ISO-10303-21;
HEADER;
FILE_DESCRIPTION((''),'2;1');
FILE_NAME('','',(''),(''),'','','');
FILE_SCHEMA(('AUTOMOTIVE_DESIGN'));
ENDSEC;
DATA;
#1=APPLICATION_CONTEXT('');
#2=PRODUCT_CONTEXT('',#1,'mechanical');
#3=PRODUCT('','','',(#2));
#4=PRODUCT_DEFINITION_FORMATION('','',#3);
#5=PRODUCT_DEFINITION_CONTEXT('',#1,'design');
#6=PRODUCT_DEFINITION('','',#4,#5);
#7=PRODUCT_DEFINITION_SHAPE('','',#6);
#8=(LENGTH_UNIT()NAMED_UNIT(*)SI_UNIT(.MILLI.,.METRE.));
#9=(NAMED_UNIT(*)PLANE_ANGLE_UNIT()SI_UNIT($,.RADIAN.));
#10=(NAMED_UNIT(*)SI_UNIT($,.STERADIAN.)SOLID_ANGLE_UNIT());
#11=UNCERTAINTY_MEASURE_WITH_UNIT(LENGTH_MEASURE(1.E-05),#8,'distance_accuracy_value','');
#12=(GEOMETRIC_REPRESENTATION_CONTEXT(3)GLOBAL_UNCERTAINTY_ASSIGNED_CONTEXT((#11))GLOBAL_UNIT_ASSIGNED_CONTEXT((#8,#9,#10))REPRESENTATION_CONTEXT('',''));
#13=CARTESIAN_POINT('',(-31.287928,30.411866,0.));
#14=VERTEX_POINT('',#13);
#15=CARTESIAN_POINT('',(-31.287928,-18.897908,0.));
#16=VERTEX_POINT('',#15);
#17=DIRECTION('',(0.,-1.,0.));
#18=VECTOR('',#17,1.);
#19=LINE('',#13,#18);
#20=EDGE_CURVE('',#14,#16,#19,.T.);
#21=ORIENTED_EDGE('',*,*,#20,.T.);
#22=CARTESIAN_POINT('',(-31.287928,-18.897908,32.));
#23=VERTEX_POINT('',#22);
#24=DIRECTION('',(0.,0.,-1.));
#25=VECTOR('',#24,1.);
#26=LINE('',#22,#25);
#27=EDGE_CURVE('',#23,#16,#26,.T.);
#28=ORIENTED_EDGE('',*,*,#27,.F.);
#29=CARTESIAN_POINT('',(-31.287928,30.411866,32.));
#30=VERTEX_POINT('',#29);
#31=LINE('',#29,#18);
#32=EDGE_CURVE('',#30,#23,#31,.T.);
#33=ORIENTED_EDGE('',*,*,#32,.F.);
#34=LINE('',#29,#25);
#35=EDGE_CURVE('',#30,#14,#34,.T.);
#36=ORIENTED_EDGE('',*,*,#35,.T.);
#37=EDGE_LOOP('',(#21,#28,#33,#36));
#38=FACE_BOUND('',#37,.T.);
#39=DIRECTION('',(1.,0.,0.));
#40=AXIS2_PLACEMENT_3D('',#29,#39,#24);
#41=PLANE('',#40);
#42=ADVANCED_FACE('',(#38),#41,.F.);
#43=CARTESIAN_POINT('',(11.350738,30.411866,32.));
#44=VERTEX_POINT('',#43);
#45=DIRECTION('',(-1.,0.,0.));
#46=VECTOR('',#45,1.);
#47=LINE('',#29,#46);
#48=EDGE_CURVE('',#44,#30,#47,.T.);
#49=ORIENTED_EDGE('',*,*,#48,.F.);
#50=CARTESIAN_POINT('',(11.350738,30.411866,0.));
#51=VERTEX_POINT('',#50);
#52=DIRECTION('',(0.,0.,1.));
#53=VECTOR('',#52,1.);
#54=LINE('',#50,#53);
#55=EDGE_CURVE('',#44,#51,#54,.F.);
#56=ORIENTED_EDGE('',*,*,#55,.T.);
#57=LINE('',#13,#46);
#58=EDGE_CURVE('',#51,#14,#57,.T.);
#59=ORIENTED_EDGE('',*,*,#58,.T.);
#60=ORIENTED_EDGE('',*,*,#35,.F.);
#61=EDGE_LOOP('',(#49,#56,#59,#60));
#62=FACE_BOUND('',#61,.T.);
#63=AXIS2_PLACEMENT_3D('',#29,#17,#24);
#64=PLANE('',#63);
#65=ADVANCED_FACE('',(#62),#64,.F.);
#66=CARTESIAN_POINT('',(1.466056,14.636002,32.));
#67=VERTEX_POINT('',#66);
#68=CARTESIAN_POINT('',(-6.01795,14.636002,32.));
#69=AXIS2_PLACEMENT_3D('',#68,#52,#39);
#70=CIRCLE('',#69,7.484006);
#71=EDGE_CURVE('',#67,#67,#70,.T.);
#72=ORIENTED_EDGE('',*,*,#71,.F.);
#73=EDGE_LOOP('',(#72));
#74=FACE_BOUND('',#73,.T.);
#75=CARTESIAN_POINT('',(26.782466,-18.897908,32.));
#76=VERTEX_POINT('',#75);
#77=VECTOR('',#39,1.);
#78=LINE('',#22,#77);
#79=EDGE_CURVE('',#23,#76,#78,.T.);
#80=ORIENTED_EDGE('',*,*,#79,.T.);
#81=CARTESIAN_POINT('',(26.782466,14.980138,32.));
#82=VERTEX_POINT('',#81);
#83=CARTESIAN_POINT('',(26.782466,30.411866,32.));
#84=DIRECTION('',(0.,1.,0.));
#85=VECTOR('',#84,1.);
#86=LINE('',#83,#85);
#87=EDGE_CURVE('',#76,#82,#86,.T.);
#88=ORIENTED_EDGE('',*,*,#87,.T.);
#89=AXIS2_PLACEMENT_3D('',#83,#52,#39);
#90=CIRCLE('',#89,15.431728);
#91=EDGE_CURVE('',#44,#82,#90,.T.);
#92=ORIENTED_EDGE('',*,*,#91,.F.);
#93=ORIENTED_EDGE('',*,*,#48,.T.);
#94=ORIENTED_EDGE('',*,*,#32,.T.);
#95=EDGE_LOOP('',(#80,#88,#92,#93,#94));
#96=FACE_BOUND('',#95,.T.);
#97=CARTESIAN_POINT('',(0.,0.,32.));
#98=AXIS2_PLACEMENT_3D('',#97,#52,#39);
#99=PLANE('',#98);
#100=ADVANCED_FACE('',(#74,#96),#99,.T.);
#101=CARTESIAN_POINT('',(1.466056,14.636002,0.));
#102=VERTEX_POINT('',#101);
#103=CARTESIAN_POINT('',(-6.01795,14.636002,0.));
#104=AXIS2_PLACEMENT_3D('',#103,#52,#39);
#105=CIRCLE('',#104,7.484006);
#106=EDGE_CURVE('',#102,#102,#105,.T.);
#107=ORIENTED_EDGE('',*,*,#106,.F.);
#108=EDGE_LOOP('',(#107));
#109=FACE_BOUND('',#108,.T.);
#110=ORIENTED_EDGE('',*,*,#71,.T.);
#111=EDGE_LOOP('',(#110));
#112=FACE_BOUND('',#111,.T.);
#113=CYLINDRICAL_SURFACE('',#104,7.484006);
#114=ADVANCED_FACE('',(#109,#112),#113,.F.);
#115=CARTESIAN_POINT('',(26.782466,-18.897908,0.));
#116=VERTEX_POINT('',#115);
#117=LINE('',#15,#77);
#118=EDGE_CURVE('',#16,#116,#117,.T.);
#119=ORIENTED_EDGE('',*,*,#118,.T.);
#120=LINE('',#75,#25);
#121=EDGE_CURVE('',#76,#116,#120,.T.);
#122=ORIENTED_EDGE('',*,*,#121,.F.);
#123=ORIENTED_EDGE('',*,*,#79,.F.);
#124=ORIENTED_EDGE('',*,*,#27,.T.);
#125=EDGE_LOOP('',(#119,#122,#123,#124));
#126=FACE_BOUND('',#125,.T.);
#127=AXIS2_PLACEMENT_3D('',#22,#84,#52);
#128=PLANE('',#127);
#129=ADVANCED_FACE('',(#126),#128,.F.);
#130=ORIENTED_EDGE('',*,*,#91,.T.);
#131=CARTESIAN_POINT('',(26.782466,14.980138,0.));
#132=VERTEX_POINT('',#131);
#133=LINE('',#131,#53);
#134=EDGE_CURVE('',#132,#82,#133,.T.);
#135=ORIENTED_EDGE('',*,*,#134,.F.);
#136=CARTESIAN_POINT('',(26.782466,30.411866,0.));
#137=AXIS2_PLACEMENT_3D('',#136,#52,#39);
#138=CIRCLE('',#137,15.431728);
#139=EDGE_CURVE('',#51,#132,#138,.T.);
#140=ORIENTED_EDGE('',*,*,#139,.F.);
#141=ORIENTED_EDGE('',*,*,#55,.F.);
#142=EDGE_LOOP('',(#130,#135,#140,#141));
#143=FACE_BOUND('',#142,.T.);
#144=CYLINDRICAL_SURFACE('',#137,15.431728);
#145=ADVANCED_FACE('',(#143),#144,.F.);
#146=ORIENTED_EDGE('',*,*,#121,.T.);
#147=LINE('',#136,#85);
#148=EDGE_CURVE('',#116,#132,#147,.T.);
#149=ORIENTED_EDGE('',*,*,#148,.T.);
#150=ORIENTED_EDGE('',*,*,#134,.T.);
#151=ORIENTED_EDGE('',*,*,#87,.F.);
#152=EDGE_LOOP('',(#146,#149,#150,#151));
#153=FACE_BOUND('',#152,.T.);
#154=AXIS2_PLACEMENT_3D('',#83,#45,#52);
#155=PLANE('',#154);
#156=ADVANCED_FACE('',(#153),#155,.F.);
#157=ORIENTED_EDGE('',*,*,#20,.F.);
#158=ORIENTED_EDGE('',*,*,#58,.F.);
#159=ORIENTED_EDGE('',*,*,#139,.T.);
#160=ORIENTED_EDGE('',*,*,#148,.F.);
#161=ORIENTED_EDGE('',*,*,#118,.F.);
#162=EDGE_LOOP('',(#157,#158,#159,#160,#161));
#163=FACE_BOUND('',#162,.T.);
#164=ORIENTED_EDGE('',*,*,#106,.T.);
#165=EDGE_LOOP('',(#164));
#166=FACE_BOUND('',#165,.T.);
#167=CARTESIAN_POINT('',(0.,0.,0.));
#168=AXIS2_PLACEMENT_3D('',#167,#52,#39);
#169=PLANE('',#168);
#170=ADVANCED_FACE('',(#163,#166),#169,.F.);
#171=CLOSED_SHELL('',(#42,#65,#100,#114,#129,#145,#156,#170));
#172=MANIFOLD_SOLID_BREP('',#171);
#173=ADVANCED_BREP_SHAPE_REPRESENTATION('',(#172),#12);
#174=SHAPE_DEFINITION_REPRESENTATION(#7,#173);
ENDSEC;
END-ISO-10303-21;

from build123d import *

# Parameters (mm, degrees)
SKETCH_2_W          = 58.070394214
SKETCH_2_H          = 49.309774398
EXTRUDE_1_DEPTH     = 32
SKETCH_3_R          = 7.484005987
SKETCH_3_R_2        = 15.431728179
CUT_EXTRUDE_1_DEPTH = 32


with BuildPart() as part:
    # 草图2 → 凸台-拉伸1 (new body)
    with BuildSketch(Plane.XY):
        with Locations((-2.25273081, 5.756978737)):
            Rectangle(SKETCH_2_W, SKETCH_2_H)
    extrude(amount=EXTRUDE_1_DEPTH)

    # 草图3 → 切除-拉伸1 (cut)
    with BuildSketch(Plane.XY.offset(32)):
        with Locations((-6.017950138, 14.636001798)):
            Circle(SKETCH_3_R)
        with Locations((26.782466297, 30.411865936)):
            Circle(SKETCH_3_R_2)
    extrude(amount=-CUT_EXTRUDE_1_DEPTH, mode=Mode.SUBTRACT)


solid = part.part
